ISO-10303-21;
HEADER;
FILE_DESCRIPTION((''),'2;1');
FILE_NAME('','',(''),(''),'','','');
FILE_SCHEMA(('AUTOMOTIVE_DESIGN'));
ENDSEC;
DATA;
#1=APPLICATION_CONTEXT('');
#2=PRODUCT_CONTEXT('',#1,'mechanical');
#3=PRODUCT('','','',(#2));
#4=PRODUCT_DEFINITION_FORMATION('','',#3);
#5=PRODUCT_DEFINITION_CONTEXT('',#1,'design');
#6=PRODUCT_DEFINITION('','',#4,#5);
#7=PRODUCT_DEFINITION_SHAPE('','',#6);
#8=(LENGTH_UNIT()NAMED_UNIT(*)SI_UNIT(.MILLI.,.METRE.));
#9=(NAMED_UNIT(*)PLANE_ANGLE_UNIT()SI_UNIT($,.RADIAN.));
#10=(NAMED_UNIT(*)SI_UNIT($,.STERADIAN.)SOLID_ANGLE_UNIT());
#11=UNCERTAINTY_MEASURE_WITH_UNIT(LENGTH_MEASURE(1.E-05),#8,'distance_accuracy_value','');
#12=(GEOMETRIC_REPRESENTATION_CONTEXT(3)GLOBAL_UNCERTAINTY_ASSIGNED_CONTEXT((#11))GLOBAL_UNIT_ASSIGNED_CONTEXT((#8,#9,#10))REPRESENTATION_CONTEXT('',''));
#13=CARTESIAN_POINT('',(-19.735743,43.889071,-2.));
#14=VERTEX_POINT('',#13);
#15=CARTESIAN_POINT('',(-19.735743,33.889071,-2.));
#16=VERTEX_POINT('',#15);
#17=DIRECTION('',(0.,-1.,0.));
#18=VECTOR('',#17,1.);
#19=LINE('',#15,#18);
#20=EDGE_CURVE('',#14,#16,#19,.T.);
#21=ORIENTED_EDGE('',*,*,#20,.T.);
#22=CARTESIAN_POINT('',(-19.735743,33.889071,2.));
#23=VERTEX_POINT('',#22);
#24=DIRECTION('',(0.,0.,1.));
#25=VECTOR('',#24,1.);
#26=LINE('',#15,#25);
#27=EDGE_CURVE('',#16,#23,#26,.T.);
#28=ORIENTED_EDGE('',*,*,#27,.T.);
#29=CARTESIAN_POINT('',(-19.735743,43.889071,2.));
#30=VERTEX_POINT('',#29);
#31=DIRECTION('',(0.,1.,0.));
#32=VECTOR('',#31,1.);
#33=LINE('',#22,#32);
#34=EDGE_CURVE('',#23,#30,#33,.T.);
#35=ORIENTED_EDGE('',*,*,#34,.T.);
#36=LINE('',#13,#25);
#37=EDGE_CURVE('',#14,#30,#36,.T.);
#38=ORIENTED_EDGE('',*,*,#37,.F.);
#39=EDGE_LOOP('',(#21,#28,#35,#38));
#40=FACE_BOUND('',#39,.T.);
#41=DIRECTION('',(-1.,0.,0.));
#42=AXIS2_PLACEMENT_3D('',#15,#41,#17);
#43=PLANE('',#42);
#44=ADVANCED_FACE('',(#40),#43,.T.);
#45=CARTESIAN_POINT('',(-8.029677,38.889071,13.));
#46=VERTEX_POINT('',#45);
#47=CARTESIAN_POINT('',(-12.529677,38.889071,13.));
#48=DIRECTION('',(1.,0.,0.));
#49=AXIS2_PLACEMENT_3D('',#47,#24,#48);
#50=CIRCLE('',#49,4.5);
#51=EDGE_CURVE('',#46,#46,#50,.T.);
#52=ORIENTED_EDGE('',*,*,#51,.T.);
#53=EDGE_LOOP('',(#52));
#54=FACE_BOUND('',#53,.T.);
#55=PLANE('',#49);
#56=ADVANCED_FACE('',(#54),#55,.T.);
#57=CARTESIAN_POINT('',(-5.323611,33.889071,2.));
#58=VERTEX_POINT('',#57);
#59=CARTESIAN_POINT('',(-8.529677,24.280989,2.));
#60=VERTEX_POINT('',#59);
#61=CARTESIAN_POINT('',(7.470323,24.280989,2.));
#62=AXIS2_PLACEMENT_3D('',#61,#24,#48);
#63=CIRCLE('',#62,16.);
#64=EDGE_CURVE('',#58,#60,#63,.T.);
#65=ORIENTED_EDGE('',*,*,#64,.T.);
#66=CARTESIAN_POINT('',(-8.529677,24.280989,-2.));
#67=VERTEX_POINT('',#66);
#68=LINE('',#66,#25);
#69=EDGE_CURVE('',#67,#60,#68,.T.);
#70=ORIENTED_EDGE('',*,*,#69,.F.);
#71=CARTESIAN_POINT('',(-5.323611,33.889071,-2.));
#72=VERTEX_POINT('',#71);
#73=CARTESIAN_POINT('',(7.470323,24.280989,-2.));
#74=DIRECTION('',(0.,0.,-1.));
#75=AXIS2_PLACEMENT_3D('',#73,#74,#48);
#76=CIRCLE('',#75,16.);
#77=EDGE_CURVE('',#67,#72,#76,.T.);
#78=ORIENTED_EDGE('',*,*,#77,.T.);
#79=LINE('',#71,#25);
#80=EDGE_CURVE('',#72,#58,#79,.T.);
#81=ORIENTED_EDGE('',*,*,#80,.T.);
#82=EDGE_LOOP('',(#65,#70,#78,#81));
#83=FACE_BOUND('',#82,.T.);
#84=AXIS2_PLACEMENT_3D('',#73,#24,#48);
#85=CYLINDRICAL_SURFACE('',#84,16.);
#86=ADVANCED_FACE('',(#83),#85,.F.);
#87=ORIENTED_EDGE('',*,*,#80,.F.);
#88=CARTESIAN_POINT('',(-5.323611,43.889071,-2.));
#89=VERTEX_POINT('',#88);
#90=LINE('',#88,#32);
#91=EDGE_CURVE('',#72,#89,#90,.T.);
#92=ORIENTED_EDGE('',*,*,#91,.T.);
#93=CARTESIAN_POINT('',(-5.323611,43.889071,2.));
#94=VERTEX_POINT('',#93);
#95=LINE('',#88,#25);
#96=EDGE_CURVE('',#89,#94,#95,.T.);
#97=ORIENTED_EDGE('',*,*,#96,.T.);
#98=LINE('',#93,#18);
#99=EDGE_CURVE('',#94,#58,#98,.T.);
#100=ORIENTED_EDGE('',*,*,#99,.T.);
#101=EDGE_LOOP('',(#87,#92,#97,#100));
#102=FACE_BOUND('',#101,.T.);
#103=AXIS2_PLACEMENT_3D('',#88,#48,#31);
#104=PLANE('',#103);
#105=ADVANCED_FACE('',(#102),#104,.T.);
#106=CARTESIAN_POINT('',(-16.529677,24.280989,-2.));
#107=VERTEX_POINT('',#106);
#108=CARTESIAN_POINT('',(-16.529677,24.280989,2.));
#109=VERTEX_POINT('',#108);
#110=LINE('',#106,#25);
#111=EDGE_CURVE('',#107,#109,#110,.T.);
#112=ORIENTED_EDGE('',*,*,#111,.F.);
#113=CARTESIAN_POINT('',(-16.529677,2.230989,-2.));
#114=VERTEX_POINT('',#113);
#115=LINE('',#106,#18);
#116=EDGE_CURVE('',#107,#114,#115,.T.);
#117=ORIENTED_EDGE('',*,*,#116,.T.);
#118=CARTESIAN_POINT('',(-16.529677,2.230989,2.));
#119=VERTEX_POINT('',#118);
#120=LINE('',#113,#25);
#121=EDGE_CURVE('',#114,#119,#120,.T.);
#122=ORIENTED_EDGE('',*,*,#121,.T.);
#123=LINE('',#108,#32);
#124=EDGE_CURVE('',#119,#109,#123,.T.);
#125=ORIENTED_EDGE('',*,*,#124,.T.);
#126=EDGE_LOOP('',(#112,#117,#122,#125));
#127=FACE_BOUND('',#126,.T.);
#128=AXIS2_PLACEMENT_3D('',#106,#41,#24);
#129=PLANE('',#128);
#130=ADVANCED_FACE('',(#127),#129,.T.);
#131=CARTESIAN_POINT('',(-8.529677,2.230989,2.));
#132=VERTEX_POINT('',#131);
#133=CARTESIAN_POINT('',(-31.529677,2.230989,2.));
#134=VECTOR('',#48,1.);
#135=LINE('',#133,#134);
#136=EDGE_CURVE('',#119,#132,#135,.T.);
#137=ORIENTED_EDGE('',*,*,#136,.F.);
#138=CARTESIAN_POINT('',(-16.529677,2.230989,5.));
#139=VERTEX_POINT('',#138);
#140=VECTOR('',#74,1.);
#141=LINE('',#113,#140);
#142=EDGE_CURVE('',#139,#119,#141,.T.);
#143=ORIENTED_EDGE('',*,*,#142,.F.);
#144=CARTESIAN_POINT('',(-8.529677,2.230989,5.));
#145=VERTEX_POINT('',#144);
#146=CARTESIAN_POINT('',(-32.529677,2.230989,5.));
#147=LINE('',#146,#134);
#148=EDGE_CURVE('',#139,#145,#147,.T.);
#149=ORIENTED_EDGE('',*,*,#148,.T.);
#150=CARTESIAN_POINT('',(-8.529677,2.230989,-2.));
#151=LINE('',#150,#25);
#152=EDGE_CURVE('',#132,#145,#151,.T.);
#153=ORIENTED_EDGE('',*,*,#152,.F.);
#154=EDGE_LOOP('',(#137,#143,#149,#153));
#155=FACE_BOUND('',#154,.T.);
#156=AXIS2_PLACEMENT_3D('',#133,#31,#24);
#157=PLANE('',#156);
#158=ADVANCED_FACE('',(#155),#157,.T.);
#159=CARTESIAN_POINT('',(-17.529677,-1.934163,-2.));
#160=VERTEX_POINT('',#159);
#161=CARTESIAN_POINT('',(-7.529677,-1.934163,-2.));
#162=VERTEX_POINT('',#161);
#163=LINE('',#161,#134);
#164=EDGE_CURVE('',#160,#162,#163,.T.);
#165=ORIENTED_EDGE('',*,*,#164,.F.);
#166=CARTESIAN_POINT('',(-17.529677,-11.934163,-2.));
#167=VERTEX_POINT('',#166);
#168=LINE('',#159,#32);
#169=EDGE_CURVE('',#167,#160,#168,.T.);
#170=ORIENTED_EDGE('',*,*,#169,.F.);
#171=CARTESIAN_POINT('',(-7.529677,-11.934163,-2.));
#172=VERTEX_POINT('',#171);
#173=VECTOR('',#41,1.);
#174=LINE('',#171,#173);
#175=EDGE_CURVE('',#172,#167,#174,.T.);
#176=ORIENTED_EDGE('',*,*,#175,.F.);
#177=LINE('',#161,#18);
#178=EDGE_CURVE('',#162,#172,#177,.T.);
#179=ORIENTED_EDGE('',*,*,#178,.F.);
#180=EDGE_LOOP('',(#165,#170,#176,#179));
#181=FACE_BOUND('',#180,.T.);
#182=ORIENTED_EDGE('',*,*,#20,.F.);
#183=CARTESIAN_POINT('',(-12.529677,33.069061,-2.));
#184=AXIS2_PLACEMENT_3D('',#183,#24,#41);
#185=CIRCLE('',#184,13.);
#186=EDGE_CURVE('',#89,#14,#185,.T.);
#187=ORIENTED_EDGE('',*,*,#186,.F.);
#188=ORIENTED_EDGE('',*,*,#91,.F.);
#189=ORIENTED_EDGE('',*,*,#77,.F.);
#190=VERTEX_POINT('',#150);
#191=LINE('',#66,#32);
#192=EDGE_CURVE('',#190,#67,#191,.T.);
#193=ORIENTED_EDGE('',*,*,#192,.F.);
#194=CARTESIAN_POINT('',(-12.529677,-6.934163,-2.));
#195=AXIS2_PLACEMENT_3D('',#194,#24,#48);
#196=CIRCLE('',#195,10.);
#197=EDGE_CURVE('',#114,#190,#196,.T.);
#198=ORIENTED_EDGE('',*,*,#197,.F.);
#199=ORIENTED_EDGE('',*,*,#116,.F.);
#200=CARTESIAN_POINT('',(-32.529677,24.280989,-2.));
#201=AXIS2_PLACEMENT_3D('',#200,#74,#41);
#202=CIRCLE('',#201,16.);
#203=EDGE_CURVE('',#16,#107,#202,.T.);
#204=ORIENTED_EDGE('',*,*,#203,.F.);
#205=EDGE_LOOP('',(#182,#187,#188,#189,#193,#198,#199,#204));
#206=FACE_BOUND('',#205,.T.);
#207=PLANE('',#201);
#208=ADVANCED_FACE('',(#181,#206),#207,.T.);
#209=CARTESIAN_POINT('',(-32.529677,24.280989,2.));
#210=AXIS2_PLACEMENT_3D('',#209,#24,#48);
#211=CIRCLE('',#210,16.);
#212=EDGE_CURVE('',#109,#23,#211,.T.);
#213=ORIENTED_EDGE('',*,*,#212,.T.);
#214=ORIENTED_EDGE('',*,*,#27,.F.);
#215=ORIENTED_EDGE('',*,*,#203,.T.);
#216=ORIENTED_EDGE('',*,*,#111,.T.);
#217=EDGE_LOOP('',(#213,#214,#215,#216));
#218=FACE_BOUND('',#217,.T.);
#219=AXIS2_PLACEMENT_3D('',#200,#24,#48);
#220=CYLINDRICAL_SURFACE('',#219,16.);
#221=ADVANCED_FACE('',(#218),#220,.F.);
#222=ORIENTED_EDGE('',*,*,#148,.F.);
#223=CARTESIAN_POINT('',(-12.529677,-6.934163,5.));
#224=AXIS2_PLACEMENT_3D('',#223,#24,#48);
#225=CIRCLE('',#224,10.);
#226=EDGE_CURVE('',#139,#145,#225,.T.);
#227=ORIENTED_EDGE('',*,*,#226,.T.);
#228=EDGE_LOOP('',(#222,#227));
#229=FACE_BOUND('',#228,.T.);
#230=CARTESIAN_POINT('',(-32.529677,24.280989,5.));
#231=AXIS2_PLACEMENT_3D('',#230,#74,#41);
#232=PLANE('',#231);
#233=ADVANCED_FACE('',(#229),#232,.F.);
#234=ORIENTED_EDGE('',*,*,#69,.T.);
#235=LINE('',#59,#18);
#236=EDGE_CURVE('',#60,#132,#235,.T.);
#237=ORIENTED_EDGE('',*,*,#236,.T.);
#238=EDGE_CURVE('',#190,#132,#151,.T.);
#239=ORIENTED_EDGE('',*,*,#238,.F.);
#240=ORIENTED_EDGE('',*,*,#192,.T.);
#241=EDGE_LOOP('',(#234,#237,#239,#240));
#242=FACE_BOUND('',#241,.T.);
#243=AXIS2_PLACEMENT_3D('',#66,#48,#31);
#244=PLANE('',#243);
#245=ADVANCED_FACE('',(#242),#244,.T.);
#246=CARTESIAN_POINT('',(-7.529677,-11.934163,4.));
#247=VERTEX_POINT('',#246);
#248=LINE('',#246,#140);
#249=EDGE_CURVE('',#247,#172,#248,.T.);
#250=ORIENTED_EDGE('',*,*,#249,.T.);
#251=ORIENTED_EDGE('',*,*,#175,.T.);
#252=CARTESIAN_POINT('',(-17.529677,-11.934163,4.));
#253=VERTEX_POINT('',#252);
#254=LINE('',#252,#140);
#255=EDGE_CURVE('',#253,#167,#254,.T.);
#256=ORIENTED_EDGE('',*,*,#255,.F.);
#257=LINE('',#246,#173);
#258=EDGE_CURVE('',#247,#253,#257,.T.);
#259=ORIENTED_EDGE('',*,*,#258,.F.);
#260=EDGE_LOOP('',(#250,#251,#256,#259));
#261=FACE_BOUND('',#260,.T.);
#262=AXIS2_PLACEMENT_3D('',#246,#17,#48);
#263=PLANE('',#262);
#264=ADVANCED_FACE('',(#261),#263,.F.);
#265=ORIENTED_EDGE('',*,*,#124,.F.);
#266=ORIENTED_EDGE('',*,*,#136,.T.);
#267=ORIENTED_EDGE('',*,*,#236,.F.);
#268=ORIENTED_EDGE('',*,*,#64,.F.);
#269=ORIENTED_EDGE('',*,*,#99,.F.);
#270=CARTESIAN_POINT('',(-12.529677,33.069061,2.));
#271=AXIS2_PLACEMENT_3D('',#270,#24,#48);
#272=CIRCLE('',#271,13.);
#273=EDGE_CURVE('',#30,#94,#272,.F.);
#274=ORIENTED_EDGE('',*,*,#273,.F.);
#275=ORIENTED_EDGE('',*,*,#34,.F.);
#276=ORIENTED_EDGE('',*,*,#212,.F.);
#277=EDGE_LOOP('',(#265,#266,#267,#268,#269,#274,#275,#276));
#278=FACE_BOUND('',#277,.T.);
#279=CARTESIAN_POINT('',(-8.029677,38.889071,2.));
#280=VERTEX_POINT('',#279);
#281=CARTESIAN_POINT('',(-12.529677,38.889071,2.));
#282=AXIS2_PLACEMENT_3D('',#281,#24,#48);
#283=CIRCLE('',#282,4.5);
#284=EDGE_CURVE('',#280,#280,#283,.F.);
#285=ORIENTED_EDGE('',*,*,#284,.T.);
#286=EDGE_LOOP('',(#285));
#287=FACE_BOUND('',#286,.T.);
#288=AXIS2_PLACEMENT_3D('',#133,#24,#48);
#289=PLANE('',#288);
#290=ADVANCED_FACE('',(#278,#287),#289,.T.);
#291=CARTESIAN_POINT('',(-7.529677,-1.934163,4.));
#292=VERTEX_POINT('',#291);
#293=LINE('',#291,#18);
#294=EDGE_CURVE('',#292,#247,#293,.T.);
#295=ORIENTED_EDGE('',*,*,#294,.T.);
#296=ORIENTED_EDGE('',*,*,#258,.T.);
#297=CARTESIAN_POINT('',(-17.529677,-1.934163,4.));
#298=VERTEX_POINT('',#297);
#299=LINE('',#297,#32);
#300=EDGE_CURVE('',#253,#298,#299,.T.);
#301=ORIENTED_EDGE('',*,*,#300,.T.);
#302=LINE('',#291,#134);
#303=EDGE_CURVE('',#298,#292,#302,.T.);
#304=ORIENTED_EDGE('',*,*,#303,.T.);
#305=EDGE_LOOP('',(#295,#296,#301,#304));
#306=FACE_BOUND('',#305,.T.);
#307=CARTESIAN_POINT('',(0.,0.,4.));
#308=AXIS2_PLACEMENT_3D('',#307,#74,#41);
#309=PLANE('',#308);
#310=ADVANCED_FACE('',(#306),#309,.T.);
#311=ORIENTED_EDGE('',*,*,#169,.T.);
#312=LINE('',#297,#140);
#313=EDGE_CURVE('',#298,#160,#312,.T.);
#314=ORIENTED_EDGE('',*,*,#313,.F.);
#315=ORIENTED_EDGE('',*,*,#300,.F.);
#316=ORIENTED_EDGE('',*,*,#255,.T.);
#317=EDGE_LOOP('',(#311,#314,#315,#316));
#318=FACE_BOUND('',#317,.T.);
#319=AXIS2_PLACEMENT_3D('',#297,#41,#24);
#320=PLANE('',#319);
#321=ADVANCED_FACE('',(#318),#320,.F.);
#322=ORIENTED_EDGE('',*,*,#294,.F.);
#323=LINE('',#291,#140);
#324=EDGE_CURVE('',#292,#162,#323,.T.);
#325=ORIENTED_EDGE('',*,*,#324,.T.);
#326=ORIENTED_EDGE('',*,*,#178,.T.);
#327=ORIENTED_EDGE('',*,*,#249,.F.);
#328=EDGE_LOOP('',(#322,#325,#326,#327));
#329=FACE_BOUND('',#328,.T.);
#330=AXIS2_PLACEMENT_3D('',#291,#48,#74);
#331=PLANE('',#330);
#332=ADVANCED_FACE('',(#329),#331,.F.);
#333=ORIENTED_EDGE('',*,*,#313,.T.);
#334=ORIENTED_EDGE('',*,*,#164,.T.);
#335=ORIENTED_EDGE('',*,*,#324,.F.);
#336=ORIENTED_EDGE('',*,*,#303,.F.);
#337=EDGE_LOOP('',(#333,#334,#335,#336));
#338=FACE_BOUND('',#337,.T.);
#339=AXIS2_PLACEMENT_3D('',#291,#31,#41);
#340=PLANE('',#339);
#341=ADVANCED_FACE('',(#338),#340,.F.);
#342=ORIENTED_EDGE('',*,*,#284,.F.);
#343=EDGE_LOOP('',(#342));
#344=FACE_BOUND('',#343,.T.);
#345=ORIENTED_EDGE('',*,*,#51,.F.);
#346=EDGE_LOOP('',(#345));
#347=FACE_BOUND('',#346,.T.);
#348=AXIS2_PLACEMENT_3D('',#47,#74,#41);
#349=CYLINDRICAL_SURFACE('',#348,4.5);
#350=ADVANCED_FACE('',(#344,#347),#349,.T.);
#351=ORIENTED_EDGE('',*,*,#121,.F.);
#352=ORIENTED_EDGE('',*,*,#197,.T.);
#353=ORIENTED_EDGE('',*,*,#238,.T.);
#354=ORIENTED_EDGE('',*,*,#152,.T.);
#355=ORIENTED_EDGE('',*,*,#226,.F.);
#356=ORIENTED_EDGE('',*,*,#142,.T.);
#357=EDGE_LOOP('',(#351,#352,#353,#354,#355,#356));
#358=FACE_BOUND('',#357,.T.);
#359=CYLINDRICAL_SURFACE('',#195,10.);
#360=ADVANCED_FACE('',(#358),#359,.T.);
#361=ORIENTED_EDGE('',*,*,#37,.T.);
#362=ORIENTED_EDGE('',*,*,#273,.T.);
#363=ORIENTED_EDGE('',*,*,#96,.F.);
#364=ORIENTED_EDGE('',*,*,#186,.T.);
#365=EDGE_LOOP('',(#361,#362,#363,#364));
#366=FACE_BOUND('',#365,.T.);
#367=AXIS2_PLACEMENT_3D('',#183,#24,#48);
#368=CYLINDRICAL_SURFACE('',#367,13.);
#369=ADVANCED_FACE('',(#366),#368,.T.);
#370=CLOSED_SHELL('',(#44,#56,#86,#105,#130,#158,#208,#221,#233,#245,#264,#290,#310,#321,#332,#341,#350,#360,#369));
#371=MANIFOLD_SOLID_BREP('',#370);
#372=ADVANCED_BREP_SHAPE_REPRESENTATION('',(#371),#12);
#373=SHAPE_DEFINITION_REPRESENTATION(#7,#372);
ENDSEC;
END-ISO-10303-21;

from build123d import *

# Parameters (mm, degrees)
ESTRUSIONE_ESTRUSIONE1_DEPTH      = 5
ESTRUSIONE_ESTRUSIONE1_DEPTH_BACK = 2
SCHIZZO4_R                        = 4.5
ESTRUSIONE_ESTRUSIONE3_DEPTH      = 8
SCHIZZO5_W                        = 10
SCHIZZO5_H                        = 10
TAGLIO_ESTRUSIONE1_DEPTH          = 6
SCHIZZO6_W                        = 5.883874728
SCHIZZO6_H                        = 31.765714376
TAGLIO_ESTRUSIONE3_DEPTH          = 15
TAGLIO_ESTRUSIONE3_DEPTH_BACK     = 15
SCHIZZO7_R                        = 4.5
TAGLIO_ESTRUSIONE4_DEPTH          = 3


with BuildPart() as part:
    # Schizzo1 → Estrusione-Estrusione1 (new body, two sides)
    with BuildSketch(Plane.XY) as estrusione_estrusione1_sk:
        with BuildLine():
            Line((-19.735743023, 33.889071348), (-19.735743023, 43.889071348))
            ThreePointArc((-19.735743023, 43.889071348), (-12.529677135, 46.069061439), (-5.323611247, 43.889071348))
            Line((-5.323611247, 43.889071348), (-5.323611247, 33.889071348))
            ThreePointArc((-5.323611247, 33.889071348), (-7.707011318, 29.345426307), (-8.529677135, 24.280988816))
            Line((-8.529677135, 24.280988816), (-8.529677135, 2.230988816))
            ThreePointArc((-8.529677135, 2.230988816), (-12.529677135, -16.934162574), (-16.529677135, 2.230988816))
            Line((-16.529677135, 2.230988816), (-16.529677135, 24.280988816))
            ThreePointArc((-16.529677135, 24.280988816), (-17.352342952, 29.345426307), (-19.735743023, 33.889071348))
        make_face()
    extrude(amount=ESTRUSIONE_ESTRUSIONE1_DEPTH)
    extrude(estrusione_estrusione1_sk.sketch, amount=-ESTRUSIONE_ESTRUSIONE1_DEPTH_BACK)

    # Schizzo4 → Estrusione-Estrusione3 (add)
    with BuildSketch(Plane.XY.offset(5)):
        with Locations((-12.529677135, 38.889071348)):
            Circle(SCHIZZO4_R)
    extrude(amount=ESTRUSIONE_ESTRUSIONE3_DEPTH)

    # Schizzo5 → Taglio-Estrusione1 (cut)
    with BuildSketch(Plane(origin=(0, 0, -2), x_dir=(-1, 0, 0), z_dir=(0, 0, -1))):
        with Locations((12.529677135, -6.934162574)):
            Rectangle(SCHIZZO5_W, SCHIZZO5_H)
    extrude(amount=-TAGLIO_ESTRUSIONE1_DEPTH, mode=Mode.SUBTRACT)

    # Schizzo6 → Taglio-Estrusione3 (cut, two sides)
    with BuildSketch(Plane.ZY.offset(16.529677135)) as taglio_estrusione3_sk:
        with Locations((4.941937364, 18.113846004)):
            Rectangle(SCHIZZO6_W, SCHIZZO6_H)
    extrude(amount=TAGLIO_ESTRUSIONE3_DEPTH, mode=Mode.SUBTRACT)
    extrude(taglio_estrusione3_sk.sketch, amount=-TAGLIO_ESTRUSIONE3_DEPTH_BACK, mode=Mode.SUBTRACT)

    # Schizzo7 → Taglio-Estrusione4 (cut)
    with BuildSketch(Plane.XY.offset(5)):
        Polygon((-26.342217031, 45.266793591), (-24.610237107, 33.489330106), (-19.735743023, 33.889071348), (-1.055310137, 33.889071348), (-1.98835975, 45.266793591), (-13.868873062, 49.75887888), align=None)
        with Locations((-12.529677135, 38.889071348)):
            Circle(SCHIZZO7_R, mode=Mode.SUBTRACT)
    extrude(amount=-TAGLIO_ESTRUSIONE4_DEPTH, mode=Mode.SUBTRACT)


solid = part.part
